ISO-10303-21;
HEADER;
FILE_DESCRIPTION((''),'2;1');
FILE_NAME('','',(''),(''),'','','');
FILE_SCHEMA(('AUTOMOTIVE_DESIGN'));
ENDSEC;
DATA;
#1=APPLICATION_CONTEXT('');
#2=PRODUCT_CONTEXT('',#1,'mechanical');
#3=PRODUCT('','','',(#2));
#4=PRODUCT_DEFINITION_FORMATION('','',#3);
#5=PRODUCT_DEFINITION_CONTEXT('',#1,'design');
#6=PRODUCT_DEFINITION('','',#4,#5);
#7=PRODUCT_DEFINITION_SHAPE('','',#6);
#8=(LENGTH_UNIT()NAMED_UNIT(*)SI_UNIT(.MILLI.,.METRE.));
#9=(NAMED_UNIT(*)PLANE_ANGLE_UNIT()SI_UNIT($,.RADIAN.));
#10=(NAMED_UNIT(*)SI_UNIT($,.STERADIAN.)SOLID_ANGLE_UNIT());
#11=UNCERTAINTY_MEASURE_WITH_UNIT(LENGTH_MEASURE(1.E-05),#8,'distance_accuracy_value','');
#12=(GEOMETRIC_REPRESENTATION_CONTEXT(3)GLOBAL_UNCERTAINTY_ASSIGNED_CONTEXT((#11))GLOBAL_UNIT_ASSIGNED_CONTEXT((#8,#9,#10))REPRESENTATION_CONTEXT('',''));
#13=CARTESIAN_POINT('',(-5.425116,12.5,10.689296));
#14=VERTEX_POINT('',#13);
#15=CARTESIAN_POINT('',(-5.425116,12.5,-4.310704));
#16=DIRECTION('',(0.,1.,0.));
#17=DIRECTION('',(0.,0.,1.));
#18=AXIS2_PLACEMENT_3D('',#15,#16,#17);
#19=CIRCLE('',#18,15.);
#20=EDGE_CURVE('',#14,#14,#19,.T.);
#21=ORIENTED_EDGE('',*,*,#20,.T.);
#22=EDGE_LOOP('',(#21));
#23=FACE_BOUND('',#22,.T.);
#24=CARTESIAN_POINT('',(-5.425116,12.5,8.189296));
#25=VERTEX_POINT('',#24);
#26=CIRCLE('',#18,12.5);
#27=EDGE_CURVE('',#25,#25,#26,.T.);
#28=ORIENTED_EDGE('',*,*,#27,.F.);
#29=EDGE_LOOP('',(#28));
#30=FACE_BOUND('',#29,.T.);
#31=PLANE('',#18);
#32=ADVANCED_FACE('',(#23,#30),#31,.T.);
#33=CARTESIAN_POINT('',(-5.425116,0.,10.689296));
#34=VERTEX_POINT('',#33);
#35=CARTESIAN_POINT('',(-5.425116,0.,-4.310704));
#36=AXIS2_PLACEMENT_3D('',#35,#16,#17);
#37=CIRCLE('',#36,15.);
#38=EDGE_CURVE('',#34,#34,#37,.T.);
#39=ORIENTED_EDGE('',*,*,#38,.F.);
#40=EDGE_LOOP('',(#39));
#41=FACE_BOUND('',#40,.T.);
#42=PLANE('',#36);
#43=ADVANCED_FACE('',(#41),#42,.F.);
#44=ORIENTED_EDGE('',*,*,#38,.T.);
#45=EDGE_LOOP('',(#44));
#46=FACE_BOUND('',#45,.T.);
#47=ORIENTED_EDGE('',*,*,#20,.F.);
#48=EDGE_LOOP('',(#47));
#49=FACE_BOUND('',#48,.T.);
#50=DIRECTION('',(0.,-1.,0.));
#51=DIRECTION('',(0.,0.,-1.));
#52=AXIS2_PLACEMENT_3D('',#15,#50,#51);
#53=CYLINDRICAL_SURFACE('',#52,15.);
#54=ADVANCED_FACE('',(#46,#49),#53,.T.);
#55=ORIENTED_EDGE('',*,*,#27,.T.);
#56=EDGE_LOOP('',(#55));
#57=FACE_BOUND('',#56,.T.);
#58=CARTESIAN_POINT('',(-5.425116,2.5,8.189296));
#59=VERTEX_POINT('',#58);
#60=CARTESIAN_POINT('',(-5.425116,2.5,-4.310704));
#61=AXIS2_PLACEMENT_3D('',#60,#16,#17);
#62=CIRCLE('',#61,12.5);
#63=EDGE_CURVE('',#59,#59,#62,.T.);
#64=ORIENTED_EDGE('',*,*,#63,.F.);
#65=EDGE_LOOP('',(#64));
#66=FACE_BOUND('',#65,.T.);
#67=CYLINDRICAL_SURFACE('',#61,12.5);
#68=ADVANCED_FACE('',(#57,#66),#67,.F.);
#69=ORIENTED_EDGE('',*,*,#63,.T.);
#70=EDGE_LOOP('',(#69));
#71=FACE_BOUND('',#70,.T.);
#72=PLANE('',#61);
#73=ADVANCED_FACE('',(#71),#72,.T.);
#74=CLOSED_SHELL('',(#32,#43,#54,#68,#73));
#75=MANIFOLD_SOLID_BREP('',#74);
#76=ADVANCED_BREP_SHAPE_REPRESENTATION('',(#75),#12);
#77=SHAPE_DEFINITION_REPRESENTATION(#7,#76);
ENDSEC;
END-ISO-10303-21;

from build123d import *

# Parameters (mm, degrees)
SKETCH1_R           = 15
BOSS_EXTRUDE1_DEPTH = 12.5
SKETCH2_R           = 12.5
CUT_EXTRUDE1_DEPTH  = 10


with BuildPart() as part:
    # Sketch1 → Boss-Extrude1 (new body)
    with BuildSketch(Plane(origin=(0, 0, 0), x_dir=(1, 0, 0), z_dir=(0, 1, 0))):
        with Locations((-5.425115689, 4.310704304)):
            Circle(SKETCH1_R)
    extrude(amount=BOSS_EXTRUDE1_DEPTH)

    # Sketch2 → Cut-Extrude1 (cut)
    with BuildSketch(Plane(origin=(0, 12.5, 0), x_dir=(1, 0, 0), z_dir=(0, 1, 0))):
        with Locations((-5.425115689, 4.310704304)):
            Circle(SKETCH2_R)
    extrude(amount=-CUT_EXTRUDE1_DEPTH, mode=Mode.SUBTRACT)


solid = part.part
